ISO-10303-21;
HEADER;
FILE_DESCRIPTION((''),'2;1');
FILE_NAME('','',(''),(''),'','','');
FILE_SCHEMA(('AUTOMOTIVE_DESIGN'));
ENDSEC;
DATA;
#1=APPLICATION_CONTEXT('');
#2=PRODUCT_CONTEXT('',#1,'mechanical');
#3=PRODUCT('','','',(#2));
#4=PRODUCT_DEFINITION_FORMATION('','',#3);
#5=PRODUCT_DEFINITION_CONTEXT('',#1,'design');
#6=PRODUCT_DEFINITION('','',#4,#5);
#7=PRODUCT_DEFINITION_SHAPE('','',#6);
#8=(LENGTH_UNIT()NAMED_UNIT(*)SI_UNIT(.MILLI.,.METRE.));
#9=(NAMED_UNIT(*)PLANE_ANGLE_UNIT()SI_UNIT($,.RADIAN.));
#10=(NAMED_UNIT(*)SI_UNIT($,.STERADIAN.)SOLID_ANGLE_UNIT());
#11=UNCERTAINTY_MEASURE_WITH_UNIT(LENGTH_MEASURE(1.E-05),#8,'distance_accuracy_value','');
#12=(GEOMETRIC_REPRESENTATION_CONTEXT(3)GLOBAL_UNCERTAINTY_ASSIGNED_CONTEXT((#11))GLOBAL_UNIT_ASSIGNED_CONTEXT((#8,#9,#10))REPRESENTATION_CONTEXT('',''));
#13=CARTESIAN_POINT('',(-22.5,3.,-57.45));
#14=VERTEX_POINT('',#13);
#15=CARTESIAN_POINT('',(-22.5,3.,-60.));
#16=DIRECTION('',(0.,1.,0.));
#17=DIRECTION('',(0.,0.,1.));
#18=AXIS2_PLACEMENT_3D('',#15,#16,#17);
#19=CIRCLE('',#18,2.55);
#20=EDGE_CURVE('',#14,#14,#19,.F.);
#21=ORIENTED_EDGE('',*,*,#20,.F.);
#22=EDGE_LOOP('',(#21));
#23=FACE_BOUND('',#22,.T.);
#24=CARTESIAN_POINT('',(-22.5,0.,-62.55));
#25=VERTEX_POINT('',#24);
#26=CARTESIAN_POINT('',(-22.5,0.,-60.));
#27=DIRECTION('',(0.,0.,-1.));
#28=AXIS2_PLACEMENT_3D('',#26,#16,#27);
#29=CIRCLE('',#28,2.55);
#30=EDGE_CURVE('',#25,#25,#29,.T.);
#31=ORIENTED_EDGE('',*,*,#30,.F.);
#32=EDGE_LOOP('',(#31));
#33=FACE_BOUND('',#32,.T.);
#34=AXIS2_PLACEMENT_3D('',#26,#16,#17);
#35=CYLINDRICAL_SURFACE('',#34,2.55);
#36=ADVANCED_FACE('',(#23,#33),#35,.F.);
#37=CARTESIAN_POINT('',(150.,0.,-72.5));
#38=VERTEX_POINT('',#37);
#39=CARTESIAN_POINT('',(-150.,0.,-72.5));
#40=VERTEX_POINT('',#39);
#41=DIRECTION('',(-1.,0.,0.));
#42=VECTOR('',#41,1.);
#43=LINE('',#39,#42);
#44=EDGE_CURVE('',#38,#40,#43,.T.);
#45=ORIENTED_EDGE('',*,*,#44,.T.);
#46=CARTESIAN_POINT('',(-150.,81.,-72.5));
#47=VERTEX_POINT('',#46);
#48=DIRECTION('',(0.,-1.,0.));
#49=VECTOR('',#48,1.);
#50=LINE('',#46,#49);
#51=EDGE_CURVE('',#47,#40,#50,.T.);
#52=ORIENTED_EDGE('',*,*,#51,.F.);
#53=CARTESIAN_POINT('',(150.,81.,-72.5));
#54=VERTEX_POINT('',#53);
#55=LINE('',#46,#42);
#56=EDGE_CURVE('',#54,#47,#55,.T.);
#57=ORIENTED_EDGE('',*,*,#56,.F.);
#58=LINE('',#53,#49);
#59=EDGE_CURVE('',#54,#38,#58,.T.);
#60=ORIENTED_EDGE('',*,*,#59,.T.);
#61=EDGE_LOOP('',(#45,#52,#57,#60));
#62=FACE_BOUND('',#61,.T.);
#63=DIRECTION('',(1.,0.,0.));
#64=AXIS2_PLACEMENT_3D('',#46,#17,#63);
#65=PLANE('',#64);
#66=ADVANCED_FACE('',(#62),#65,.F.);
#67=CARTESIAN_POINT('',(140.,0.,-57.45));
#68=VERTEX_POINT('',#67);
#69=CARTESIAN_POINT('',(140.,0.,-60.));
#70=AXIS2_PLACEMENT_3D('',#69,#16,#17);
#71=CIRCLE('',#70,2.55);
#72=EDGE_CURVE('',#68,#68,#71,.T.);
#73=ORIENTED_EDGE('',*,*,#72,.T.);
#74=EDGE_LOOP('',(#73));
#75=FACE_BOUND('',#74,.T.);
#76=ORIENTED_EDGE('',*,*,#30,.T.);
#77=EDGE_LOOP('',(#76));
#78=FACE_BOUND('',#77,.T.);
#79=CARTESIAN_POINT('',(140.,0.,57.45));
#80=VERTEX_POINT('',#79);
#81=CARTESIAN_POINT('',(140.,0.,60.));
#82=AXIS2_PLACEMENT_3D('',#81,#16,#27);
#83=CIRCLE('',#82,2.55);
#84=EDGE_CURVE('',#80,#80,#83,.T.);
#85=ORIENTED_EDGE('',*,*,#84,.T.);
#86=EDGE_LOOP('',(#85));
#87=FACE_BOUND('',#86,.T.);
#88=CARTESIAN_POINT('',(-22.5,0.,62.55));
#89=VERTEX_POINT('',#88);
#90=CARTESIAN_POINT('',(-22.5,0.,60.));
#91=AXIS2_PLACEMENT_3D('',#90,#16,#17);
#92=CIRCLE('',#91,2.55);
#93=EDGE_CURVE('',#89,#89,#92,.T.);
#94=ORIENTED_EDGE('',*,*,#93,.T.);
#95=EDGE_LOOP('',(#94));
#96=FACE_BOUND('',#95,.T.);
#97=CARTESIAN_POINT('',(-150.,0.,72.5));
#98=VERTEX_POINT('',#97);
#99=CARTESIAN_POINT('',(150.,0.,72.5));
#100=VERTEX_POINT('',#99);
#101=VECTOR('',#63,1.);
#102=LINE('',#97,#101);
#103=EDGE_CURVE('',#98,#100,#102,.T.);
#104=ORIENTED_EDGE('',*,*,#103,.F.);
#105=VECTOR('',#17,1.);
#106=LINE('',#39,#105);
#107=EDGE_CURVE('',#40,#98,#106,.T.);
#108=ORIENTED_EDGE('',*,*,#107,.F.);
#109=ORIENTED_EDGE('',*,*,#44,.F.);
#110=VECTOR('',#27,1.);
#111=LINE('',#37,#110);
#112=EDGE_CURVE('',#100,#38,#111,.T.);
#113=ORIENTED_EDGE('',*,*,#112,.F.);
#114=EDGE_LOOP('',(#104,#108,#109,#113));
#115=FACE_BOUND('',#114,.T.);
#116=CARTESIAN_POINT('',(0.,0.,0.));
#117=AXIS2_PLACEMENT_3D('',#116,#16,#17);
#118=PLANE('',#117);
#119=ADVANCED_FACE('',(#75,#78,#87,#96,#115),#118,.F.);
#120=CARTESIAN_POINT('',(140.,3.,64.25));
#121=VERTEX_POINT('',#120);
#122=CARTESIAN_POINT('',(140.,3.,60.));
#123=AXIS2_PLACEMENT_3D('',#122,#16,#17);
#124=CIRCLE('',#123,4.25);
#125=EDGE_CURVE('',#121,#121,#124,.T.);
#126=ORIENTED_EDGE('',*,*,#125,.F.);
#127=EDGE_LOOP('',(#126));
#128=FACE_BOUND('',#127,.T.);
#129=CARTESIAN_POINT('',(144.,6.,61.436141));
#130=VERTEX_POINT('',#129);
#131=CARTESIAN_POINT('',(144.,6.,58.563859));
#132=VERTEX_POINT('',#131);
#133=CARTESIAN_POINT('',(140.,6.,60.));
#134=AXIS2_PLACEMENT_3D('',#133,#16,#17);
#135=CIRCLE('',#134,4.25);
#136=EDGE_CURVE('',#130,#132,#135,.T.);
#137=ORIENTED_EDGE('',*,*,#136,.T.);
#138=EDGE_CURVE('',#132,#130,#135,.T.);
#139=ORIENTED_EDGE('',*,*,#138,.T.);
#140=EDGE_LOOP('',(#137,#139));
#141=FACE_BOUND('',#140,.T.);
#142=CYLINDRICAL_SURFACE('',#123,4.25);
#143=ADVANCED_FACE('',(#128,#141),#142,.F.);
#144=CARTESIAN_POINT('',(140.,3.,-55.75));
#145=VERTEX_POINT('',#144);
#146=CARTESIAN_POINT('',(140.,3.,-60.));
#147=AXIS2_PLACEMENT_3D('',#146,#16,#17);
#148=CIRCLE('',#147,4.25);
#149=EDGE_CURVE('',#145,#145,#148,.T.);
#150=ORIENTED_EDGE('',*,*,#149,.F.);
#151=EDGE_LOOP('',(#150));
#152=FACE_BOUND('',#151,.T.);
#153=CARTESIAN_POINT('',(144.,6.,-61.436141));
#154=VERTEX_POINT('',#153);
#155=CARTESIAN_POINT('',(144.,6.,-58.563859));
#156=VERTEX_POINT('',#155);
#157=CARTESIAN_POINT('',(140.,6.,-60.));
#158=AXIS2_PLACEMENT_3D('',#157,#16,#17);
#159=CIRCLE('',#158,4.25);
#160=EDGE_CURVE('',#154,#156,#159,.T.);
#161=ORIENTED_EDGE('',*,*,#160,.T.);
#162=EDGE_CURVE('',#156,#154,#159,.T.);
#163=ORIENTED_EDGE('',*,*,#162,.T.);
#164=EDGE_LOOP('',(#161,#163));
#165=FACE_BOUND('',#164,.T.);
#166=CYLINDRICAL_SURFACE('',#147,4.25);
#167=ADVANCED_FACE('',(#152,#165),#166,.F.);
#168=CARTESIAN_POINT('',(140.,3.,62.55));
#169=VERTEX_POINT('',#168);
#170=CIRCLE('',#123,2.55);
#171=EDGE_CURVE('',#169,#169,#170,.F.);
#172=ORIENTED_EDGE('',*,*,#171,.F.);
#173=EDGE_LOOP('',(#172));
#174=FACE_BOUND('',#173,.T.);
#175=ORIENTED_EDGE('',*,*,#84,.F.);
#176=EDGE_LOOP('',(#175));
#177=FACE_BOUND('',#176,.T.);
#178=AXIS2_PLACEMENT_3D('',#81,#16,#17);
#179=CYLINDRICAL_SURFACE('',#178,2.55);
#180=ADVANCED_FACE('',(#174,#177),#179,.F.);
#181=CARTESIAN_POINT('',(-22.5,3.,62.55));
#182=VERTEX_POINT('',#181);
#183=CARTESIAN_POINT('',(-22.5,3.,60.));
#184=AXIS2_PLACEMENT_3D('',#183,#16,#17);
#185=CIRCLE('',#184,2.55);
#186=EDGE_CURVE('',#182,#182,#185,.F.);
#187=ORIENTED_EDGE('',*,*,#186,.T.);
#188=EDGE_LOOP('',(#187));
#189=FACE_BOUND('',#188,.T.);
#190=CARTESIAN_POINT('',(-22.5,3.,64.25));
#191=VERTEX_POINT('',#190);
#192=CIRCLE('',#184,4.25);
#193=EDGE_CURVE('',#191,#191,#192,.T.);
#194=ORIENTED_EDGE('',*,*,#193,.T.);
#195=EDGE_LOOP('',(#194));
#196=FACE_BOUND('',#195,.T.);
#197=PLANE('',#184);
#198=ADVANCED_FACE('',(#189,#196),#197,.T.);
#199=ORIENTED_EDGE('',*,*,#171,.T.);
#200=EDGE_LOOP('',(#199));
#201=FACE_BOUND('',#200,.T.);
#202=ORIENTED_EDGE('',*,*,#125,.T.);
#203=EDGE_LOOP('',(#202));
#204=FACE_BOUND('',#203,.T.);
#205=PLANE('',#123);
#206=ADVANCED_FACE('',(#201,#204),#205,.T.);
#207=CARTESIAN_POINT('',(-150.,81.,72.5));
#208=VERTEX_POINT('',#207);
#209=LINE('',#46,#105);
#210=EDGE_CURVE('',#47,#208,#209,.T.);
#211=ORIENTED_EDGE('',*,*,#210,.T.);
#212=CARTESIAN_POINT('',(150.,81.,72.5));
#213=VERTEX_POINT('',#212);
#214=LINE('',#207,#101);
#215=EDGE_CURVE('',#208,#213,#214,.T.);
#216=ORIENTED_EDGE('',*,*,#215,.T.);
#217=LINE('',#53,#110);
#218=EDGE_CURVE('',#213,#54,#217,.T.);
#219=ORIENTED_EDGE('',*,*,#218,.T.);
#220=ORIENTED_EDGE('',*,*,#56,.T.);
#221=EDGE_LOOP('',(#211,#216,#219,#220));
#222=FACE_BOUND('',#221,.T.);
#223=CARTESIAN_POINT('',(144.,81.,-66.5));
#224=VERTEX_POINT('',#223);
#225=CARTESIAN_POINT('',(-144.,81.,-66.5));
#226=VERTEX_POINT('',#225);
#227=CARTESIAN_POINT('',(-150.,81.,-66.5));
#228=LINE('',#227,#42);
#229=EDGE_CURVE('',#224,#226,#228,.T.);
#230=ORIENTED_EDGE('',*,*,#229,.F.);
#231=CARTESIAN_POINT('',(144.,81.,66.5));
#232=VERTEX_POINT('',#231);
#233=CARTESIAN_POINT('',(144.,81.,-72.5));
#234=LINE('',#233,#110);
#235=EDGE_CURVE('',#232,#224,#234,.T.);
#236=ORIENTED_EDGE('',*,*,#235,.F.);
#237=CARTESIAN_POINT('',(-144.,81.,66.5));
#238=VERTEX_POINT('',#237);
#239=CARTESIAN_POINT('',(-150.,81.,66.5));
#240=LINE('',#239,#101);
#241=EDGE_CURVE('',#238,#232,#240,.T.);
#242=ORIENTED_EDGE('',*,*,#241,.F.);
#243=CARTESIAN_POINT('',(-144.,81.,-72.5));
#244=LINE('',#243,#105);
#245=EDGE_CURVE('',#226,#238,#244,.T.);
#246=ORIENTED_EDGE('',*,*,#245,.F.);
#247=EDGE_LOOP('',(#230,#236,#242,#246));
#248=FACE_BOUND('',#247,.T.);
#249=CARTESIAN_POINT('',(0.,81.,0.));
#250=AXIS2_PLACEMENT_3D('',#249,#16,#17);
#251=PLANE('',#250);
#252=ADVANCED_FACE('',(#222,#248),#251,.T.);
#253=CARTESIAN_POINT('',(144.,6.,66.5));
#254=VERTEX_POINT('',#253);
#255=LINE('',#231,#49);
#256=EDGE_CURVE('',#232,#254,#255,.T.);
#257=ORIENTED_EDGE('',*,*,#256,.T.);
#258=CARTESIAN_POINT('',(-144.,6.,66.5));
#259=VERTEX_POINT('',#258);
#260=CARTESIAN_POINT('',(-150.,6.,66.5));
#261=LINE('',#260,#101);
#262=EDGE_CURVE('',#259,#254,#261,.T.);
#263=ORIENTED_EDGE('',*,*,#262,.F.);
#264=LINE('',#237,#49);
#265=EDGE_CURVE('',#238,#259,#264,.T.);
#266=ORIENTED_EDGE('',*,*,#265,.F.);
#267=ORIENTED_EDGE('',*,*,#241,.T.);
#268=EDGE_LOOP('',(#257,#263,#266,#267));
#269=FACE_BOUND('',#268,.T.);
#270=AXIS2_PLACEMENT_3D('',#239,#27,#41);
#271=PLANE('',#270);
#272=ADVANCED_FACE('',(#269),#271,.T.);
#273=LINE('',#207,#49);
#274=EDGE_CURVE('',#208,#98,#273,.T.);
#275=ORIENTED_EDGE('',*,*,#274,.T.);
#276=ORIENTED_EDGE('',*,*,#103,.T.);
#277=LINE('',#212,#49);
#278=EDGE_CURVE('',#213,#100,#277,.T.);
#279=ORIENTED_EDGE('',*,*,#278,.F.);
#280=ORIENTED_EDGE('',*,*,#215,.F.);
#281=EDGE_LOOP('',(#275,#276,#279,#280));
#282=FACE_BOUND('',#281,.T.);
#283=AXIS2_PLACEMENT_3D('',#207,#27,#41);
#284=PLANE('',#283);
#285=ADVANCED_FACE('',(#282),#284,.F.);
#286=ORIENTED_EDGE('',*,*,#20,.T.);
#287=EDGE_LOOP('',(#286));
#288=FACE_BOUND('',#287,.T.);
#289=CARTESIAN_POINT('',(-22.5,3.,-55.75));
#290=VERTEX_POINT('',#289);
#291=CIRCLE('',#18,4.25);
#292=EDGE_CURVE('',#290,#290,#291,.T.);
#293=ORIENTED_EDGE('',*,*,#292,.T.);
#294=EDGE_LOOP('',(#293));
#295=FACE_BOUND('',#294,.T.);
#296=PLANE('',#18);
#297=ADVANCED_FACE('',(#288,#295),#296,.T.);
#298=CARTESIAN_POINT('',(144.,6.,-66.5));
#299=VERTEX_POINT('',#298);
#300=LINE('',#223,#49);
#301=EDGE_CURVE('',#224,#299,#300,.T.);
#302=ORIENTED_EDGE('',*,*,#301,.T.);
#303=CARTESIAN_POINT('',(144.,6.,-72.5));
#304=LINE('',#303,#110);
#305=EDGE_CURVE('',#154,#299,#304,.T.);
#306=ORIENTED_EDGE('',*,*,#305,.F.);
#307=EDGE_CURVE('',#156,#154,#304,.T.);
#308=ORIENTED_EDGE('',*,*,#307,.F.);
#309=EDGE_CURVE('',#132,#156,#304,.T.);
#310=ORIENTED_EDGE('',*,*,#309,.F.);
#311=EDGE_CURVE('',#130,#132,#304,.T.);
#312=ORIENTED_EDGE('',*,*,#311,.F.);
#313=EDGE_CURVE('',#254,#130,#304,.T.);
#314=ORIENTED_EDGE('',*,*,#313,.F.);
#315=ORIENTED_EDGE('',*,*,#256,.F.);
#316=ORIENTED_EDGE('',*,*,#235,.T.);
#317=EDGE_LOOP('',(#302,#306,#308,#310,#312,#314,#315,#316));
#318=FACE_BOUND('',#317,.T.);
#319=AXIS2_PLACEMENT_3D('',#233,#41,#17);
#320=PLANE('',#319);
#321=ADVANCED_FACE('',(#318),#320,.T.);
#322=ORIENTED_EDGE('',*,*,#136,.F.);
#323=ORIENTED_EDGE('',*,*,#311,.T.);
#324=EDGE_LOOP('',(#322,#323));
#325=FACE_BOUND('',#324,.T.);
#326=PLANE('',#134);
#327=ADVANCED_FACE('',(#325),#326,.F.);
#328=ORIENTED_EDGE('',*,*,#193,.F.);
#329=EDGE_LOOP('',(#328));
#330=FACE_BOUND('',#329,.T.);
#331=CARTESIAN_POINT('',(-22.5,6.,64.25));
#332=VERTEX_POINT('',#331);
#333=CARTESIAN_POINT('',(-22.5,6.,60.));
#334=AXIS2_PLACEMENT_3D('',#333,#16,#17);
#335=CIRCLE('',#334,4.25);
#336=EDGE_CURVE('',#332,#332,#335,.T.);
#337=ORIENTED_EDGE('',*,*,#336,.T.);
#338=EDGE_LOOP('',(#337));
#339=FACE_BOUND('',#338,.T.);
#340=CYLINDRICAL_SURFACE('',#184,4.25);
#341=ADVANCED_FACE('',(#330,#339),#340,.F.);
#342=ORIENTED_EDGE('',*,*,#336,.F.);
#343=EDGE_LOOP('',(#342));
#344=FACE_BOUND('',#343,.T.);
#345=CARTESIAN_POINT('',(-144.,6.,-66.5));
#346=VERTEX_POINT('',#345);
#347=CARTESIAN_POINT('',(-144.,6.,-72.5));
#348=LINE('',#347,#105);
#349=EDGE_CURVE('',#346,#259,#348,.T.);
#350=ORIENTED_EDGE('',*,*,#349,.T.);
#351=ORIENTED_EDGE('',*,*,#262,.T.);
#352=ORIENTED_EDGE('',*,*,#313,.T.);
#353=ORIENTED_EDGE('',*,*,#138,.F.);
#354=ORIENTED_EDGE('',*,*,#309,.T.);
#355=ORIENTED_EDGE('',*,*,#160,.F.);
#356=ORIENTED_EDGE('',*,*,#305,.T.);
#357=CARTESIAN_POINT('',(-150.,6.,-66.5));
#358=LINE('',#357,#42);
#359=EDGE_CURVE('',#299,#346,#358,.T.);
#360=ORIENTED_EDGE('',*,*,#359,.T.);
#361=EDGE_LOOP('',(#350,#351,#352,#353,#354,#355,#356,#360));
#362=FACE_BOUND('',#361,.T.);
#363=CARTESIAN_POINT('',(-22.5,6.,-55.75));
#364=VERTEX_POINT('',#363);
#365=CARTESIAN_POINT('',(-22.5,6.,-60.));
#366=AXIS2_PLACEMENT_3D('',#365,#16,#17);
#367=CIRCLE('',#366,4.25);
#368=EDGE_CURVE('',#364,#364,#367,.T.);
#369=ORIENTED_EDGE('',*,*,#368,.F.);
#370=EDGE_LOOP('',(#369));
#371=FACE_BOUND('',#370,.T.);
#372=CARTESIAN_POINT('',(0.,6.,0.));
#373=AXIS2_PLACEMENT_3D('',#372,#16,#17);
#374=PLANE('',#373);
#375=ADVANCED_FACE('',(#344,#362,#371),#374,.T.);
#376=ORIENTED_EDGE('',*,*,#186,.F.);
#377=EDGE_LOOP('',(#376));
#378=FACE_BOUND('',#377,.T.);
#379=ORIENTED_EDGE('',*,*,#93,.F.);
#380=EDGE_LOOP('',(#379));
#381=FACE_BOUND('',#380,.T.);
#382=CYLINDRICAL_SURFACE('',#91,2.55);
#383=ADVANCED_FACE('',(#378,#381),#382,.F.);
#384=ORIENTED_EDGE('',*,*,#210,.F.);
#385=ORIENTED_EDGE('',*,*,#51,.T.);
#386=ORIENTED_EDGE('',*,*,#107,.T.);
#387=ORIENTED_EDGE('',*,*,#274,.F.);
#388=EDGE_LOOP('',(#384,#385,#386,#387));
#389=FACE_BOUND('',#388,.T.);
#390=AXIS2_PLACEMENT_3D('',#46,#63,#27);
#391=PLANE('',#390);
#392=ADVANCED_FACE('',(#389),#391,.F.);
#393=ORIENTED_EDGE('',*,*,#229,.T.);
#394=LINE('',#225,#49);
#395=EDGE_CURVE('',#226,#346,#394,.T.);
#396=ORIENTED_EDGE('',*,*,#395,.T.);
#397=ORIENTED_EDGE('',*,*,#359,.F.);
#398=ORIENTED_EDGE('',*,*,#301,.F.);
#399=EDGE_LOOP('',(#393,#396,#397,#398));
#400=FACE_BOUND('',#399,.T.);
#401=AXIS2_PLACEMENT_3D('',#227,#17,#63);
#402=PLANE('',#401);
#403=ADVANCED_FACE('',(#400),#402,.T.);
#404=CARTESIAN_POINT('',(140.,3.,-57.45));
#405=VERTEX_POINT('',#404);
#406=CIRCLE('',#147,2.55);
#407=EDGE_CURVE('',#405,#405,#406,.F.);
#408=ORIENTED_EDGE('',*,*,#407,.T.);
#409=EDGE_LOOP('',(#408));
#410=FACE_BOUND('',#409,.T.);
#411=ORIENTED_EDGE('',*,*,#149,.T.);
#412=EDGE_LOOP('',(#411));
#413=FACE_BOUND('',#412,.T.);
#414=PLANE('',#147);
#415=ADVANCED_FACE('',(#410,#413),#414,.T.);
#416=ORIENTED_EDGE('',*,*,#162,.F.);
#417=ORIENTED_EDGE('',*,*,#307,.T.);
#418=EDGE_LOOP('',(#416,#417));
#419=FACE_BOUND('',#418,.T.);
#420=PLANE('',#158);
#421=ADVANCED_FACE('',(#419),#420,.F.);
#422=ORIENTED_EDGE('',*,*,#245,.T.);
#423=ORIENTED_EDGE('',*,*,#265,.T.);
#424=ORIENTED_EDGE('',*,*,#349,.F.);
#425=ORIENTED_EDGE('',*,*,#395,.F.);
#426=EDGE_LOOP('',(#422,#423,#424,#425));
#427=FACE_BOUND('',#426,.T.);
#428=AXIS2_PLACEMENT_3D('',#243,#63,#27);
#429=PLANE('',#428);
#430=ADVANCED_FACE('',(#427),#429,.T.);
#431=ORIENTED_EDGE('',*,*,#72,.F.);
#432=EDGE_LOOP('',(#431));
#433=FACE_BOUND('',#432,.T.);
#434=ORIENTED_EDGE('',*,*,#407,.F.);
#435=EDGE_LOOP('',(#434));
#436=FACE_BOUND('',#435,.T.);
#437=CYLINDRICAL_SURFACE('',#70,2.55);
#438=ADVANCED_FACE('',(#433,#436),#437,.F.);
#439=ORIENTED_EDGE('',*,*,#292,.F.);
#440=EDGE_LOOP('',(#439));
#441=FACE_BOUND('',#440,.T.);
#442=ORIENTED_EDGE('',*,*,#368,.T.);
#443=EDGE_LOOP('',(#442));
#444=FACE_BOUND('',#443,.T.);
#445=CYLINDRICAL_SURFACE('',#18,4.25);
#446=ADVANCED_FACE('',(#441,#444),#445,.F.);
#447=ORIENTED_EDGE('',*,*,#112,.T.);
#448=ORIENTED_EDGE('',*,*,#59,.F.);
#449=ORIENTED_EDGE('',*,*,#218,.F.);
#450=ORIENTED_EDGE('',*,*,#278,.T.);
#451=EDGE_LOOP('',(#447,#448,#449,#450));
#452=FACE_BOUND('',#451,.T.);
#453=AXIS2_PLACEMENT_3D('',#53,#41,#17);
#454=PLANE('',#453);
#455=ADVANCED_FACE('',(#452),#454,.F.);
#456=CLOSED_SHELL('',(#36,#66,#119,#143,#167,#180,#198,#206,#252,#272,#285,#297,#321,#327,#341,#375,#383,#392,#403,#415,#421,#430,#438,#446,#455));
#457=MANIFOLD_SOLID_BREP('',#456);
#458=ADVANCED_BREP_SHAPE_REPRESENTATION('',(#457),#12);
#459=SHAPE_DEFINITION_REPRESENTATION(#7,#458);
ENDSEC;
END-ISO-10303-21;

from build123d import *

# Parameters (mm, degrees)
SKETCH_1_W          = 300
SKETCH_1_H          = 145
EXTRUDE_1_DEPTH     = 81
SHELL_1_T           = -6
SKETCH_2_R          = 2.55
CUT_EXTRUDE_1_DEPTH = 183.705363906
SKETCH_3_R          = 4.25
CUT_EXTRUDE_2_DEPTH = 3


with BuildPart() as part:
    # ｽｹｯﾁ1 → ﾎﾞｽ - 押し出し1 (new body)
    with BuildSketch(Plane(origin=(0, 0, 0), x_dir=(1, 0, 0), z_dir=(0, 1, 0))):
        Rectangle(SKETCH_1_W, SKETCH_1_H)
    extrude(amount=EXTRUDE_1_DEPTH)

    # ｼｪﾙ1
    shell_1_openings = [part.faces().sort_by_distance(p)[0] for p in [
        (0, 81, 0),
    ]]
    offset(amount=SHELL_1_T, openings=shell_1_openings, kind=Kind.INTERSECTION)

    # ｽｹｯﾁ2 → ｶｯﾄ - 押し出し1 (cut, through all)
    with BuildSketch(Plane(origin=(0, 6, 0), x_dir=(1, 0, 0), z_dir=(0, 1, 0))):
        with Locations(Location((140, 60, 0), (0, 0, 270))):
            Circle(SKETCH_2_R)
        with Locations(Location((140, -60, 0), (0, 0, 90))):
            Circle(SKETCH_2_R)
        with Locations(Location((-22.5, -60, 0), (0, 0, 270))):
            Circle(SKETCH_2_R)
        with Locations(Location((-22.5, 60, 0), (0, 0, 90))):
            Circle(SKETCH_2_R)
    extrude(amount=-CUT_EXTRUDE_1_DEPTH, mode=Mode.SUBTRACT)

    # ｽｹｯﾁ3 → ｶｯﾄ - 押し出し2 (cut)
    with BuildSketch(Plane(origin=(0, 6, 0), x_dir=(1, 0, 0), z_dir=(0, 1, 0))):
        with Locations(Location((140, 60, 0), (0, 0, 270))):
            Circle(SKETCH_3_R)
        with Locations(Location((-22.5, 60, 0), (0, 0, 270))):
            Circle(SKETCH_3_R)
        with Locations(Location((-22.5, -60, 0), (0, 0, 270))):
            Circle(SKETCH_3_R)
        with Locations(Location((140, -60, 0), (0, 0, 270))):
            Circle(SKETCH_3_R)
    extrude(amount=-CUT_EXTRUDE_2_DEPTH, mode=Mode.SUBTRACT)


solid = part.part
